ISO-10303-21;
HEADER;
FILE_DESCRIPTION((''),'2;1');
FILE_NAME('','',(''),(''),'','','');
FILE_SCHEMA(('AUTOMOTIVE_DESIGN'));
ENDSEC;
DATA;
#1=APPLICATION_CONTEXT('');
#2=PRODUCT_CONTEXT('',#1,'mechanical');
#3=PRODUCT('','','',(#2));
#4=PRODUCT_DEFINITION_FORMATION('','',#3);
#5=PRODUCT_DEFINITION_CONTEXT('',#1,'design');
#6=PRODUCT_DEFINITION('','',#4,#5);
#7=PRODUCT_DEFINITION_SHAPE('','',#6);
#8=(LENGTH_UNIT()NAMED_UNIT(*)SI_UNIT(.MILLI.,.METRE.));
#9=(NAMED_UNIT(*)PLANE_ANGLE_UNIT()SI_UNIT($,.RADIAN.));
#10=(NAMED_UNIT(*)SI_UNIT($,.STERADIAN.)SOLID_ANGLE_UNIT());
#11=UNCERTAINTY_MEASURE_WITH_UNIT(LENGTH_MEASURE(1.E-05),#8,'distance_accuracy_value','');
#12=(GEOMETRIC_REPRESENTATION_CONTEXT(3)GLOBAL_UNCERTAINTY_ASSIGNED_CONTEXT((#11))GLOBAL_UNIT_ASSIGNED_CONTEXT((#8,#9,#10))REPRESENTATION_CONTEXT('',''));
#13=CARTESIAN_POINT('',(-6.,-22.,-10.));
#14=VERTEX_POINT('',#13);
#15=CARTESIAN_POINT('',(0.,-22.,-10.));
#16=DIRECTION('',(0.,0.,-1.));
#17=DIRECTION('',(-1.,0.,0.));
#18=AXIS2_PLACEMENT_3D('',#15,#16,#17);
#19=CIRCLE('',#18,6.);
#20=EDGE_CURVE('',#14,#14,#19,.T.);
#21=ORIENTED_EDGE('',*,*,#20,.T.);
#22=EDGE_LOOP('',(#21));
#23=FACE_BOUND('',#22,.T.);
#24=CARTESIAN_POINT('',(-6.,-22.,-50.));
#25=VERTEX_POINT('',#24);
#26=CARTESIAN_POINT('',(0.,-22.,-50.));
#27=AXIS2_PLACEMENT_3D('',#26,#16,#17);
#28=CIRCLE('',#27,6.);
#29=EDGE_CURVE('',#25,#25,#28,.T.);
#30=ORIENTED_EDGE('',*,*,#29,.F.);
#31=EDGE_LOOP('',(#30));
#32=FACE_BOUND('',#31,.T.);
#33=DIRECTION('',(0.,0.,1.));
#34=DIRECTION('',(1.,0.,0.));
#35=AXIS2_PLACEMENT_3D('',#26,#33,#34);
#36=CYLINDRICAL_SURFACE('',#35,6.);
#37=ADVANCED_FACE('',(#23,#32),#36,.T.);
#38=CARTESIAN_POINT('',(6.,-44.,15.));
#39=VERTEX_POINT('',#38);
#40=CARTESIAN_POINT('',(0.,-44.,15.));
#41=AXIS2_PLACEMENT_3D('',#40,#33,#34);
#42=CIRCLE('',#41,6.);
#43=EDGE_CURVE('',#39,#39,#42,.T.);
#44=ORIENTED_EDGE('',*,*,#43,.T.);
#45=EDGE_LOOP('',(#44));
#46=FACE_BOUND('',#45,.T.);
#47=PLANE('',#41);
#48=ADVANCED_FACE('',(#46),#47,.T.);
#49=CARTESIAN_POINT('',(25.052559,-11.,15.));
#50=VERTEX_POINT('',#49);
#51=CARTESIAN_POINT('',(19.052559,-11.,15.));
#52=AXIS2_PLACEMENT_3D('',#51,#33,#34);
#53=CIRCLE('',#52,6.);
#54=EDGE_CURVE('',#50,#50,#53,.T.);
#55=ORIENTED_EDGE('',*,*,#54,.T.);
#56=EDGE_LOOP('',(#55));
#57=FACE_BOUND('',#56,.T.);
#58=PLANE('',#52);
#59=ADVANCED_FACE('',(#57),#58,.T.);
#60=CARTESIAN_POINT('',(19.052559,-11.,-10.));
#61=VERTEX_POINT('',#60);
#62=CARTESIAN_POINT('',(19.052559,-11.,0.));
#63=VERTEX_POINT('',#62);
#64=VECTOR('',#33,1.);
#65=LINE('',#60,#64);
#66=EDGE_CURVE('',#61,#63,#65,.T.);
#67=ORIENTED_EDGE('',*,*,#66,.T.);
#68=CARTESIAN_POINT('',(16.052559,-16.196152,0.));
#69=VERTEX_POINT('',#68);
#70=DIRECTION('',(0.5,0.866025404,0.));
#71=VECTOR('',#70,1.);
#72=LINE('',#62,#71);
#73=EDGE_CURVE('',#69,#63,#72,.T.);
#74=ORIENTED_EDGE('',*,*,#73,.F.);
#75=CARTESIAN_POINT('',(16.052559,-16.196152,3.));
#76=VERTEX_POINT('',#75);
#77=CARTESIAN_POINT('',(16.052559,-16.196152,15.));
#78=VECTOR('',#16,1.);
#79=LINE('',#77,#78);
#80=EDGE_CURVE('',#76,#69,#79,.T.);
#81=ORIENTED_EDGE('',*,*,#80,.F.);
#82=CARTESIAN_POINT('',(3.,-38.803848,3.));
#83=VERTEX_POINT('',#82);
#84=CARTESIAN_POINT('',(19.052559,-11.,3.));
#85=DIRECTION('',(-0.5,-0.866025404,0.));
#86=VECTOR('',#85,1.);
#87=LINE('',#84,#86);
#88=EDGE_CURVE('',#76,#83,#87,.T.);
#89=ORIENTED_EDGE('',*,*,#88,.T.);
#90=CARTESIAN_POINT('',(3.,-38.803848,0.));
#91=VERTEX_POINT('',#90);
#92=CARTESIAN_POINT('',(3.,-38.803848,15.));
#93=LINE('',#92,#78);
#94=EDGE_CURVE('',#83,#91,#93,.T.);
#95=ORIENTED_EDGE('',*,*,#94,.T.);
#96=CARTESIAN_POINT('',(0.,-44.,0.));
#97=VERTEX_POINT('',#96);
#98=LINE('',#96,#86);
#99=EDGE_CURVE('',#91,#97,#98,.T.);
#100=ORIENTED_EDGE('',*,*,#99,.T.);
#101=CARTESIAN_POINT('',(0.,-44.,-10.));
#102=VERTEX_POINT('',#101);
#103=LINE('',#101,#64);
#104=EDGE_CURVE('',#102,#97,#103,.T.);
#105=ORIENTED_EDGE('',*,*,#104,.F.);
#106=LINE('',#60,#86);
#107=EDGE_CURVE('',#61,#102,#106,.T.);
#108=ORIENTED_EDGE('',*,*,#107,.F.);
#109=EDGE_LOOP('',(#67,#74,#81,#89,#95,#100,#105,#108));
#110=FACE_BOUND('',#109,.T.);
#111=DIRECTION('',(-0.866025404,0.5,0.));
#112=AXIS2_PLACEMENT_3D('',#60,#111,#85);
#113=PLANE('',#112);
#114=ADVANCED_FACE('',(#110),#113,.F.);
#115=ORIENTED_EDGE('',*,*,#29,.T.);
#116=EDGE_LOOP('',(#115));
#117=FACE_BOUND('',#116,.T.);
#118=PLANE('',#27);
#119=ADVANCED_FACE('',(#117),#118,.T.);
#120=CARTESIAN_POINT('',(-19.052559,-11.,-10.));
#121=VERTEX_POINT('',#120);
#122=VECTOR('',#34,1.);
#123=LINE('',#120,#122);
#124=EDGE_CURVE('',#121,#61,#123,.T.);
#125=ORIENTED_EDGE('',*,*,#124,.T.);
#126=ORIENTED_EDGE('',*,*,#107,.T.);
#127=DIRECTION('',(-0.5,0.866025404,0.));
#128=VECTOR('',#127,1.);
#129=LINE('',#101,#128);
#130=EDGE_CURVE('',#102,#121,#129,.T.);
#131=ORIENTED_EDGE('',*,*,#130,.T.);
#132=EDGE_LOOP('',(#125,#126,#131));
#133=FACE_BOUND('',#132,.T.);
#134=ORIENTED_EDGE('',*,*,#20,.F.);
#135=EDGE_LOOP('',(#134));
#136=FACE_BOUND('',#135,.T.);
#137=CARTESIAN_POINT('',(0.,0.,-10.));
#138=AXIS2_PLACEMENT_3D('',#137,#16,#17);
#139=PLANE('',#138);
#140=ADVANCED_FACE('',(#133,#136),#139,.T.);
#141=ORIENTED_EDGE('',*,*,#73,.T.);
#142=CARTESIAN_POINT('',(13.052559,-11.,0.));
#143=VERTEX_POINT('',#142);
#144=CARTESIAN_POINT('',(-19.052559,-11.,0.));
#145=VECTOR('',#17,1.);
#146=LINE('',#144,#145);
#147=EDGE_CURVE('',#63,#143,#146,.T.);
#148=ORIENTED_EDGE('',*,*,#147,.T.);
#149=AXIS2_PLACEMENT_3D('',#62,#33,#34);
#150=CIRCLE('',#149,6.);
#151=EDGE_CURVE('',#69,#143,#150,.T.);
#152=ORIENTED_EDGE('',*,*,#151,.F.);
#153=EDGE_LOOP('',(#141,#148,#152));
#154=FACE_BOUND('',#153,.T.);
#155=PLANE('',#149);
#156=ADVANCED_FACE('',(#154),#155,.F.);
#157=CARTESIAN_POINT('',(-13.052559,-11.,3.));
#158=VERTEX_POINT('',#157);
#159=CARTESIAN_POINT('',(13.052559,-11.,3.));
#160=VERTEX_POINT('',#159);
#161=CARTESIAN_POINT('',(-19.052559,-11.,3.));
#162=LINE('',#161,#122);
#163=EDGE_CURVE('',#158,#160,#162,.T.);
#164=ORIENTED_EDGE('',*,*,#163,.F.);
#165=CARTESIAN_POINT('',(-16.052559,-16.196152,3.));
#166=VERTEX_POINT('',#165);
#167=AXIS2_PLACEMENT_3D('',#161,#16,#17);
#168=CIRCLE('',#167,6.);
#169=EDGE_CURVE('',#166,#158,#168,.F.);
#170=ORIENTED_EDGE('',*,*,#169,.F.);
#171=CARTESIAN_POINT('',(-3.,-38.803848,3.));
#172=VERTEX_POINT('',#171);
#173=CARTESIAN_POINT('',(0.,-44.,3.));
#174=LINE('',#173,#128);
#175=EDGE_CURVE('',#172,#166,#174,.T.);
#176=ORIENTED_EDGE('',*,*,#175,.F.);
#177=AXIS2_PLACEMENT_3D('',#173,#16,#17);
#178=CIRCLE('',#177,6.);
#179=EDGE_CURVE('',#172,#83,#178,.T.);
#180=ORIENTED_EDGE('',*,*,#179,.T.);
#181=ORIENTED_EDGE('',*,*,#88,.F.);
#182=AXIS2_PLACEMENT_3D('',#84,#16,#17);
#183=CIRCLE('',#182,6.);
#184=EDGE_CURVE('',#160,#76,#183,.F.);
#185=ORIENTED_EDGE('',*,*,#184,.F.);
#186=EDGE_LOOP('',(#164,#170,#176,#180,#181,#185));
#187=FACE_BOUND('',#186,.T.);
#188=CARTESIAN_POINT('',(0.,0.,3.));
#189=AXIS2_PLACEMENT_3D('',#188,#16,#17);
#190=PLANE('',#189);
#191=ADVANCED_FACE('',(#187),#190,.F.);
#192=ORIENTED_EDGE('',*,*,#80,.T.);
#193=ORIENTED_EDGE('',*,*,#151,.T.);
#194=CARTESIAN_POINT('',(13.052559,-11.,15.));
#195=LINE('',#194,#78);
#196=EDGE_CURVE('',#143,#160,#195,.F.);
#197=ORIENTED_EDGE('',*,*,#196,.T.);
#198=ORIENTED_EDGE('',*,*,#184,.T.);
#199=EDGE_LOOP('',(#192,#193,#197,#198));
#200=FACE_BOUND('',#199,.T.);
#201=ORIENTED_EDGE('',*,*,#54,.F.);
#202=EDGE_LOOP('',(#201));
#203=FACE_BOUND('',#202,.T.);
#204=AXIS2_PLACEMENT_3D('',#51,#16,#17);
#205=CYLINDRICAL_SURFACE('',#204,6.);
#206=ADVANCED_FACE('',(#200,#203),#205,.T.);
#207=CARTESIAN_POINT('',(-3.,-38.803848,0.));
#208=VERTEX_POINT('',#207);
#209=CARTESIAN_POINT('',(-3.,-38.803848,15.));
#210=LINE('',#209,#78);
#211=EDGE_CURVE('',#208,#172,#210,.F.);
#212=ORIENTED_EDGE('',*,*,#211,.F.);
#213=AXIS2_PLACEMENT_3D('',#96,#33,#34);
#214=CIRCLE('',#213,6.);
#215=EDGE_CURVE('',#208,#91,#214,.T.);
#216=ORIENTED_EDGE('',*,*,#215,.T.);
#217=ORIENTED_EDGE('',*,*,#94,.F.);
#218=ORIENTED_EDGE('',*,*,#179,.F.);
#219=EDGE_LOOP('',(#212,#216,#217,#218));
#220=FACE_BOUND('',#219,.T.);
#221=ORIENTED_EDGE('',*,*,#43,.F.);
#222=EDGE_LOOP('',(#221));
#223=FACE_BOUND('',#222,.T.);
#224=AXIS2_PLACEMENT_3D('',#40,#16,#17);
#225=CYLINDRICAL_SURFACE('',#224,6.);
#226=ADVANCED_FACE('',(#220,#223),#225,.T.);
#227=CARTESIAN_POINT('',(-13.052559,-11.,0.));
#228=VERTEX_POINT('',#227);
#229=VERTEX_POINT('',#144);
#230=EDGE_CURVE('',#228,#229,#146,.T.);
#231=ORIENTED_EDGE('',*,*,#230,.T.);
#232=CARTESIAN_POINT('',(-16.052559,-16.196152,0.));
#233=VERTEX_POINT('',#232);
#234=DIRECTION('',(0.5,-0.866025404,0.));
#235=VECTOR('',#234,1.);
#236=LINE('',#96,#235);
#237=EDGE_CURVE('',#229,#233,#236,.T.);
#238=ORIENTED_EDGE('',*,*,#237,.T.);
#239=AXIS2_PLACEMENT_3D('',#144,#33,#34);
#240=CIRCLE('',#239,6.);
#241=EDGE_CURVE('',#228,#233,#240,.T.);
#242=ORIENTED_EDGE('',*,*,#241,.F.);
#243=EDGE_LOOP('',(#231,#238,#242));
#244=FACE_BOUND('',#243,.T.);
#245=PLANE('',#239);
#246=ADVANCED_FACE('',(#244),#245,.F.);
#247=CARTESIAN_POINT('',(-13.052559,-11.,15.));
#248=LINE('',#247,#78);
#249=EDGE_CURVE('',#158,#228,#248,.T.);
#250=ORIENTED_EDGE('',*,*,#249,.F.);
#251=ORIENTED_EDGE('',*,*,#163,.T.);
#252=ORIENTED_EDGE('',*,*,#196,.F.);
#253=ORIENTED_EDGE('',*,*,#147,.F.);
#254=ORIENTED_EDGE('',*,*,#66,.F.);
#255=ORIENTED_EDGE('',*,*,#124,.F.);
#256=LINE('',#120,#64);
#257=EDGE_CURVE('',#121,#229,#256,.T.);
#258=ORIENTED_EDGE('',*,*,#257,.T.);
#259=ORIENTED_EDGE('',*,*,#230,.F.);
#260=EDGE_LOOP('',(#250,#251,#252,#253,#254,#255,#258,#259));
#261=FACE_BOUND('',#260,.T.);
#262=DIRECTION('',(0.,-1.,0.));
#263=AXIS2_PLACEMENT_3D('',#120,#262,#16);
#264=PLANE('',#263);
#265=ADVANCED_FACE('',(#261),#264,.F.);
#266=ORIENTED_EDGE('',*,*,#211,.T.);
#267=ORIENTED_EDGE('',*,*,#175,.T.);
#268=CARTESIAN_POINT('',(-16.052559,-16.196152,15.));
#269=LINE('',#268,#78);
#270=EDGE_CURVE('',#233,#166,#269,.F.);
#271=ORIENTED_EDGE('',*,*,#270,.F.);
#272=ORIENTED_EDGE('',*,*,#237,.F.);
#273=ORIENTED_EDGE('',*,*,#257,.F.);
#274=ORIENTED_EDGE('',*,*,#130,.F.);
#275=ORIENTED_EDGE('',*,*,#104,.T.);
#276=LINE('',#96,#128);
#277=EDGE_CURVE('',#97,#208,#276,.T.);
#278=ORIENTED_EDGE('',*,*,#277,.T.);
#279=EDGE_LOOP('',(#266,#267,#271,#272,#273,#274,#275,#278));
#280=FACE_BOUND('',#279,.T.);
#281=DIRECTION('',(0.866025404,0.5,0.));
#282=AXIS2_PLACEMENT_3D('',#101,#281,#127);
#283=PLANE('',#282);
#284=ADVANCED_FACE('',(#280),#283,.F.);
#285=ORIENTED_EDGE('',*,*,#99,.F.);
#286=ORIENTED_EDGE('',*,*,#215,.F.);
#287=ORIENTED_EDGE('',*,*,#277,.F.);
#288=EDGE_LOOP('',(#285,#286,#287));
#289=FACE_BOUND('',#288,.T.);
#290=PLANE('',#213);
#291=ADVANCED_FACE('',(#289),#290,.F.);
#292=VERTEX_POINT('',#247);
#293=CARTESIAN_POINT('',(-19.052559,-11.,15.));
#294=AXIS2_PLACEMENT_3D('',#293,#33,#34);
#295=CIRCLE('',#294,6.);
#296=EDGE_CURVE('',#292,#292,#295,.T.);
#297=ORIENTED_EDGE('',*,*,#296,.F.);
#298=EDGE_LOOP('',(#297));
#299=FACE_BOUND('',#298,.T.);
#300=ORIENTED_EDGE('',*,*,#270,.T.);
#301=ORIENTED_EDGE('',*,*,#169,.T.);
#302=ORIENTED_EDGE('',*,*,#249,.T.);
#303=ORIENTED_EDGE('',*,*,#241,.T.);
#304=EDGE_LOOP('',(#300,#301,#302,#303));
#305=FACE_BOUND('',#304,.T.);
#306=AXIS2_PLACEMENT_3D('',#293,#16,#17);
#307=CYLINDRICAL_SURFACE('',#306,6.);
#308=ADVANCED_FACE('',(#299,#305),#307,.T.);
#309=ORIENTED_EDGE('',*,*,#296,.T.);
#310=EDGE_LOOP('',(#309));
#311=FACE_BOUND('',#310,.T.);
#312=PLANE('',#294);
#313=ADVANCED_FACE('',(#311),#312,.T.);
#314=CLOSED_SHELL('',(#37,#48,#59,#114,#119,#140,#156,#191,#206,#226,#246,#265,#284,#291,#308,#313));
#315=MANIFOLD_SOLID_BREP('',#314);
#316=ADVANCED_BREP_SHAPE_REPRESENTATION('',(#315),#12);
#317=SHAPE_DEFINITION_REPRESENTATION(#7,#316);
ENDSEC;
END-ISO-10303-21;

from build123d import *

# Parameters (mm, degrees)
SKETCH1_R             = 6
BOSS_EXTRUDE1_DEPTH   = 15
BOSS_EXTRUDE1_2_DEPTH = 15
BOSS_EXTRUDE1_3_DEPTH = 15
BOSS_EXTRUDE2_START   = -3
BOSS_EXTRUDE2_DEPTH   = 13
SKETCH4_R             = 6
BOSS_EXTRUDE3_DEPTH   = 40


with BuildPart() as part:
    # Sketch1 → Boss-Extrude1 (new body)
    with BuildSketch(Plane.XY):
        with Locations((0, -44)):
            Circle(SKETCH1_R)
    extrude(amount=BOSS_EXTRUDE1_DEPTH)



with BuildPart() as body_2:
    # Sketch1 → Boss-Extrude1 2 (new body)
    with BuildSketch(Plane.XY):
        with Locations((19.052558883, -11)):
            Circle(SKETCH1_R)
    extrude(amount=BOSS_EXTRUDE1_2_DEPTH)


with BuildPart() as body_3:
    # Sketch1 → Boss-Extrude1 3 (new body)
    with BuildSketch(Plane.XY):
        with Locations((-19.052558883, -11)):
            Circle(SKETCH1_R)
    extrude(amount=BOSS_EXTRUDE1_3_DEPTH)


with BuildPart() as part_1:
    add(part.part)

    add(body_2.part)  # Boss-Extrude2 merges body 2

    add(body_3.part)  # Boss-Extrude2 merges body 3
    # Sketch2 → Boss-Extrude2 (add)
    with BuildSketch(Plane(origin=(0, 0, 0), x_dir=(-1, 0, 0), z_dir=(0, 0, -1)).offset(BOSS_EXTRUDE2_START)):
        Polygon((-19.052558883, -11), (0, -44), (19.052558883, -11), align=None)
    extrude(amount=BOSS_EXTRUDE2_DEPTH)

    # Sketch4 → Boss-Extrude3 (add)
    with BuildSketch(Plane(origin=(0, 0, -10), x_dir=(-1, 0, 0), z_dir=(0, 0, -1))):
        with Locations((0, -22)):
            Circle(SKETCH4_R)
    extrude(amount=BOSS_EXTRUDE3_DEPTH)


solid = part_1.part
